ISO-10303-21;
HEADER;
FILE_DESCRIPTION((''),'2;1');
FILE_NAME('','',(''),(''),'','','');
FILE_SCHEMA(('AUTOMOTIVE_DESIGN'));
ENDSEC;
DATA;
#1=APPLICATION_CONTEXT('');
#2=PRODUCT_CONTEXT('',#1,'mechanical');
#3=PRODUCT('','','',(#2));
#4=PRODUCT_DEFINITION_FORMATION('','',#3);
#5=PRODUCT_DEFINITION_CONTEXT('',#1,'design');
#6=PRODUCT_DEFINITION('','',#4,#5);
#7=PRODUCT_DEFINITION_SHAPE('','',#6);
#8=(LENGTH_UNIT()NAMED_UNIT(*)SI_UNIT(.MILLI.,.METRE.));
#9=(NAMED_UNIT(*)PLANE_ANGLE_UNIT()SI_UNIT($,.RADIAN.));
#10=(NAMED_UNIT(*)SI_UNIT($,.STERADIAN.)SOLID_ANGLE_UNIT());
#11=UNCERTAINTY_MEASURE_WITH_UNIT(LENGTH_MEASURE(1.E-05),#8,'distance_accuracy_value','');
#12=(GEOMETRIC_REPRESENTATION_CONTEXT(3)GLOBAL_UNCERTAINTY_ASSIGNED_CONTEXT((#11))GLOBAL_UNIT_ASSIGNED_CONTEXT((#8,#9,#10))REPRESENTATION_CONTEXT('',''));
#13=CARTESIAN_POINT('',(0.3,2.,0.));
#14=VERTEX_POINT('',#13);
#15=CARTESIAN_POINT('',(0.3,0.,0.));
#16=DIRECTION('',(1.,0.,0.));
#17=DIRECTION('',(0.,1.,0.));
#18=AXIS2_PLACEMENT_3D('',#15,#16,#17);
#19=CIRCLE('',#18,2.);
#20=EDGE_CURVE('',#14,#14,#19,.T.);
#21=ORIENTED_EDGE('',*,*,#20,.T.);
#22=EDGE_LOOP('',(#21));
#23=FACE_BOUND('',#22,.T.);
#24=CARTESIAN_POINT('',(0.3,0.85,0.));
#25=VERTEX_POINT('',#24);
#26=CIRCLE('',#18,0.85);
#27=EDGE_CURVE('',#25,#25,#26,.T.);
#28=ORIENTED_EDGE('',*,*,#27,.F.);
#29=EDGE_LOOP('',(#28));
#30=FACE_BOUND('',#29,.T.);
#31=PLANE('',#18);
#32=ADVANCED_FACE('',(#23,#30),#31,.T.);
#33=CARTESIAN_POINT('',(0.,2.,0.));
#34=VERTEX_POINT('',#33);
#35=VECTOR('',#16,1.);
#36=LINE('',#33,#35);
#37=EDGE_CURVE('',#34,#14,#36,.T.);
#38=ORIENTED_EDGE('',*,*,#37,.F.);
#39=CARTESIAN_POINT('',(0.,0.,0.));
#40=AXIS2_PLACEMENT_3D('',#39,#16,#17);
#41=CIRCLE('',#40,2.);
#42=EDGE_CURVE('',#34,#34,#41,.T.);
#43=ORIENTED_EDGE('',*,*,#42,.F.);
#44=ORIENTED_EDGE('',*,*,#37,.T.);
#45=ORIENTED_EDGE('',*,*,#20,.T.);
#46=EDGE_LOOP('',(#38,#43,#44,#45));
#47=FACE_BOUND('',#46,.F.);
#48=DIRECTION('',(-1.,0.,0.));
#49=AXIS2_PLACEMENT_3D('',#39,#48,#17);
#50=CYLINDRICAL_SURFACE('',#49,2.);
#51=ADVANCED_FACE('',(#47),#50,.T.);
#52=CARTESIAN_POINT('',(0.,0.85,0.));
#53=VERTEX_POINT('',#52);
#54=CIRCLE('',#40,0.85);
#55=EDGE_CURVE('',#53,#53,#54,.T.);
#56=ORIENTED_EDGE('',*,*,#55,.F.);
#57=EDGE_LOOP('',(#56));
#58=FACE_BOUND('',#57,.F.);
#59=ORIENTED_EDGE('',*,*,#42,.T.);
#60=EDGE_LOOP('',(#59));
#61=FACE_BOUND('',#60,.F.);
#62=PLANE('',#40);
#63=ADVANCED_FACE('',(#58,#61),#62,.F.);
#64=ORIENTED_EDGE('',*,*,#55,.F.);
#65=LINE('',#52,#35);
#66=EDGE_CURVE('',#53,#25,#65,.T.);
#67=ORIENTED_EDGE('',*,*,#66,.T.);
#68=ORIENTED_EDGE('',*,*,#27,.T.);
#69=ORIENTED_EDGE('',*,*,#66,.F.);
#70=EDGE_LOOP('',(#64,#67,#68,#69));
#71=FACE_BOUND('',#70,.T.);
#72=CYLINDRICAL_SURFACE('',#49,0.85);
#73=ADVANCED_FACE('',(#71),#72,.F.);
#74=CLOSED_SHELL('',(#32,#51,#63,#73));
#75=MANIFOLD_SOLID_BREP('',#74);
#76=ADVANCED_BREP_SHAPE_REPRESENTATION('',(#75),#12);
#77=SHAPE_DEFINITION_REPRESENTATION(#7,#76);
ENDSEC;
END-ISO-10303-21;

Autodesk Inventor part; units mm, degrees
ref_plane "YZ Plane" through (0, 0, 0) normal (1, 0, 0) x (0, 1, 0)
ref_plane "XZ Plane" through (0, 0, 0) normal (0, 1, 0) x (-1, 0, 0)
sketch "Sketch" plane through (0, 0, 0) normal (1, 0, 0) x (0, 1, 0)
  circle A0 centre (0, 0) radius 2
  circle A1 centre (0, 0) radius 0.85
  dimension "d0" = 1.7
  dimension "d1" = 4
extrude "Body" add sketch "Sketch" along normal blind 0.3
ref_plane "Work Plane1" through (0, 0, 0) normal (0, 0, 1) x (1, 0, 0)
equation "\"d0\" = SD1"
equation "\"d1\" = SD2"
equation "\"d2\" = SD"
equation "\"SD1\" = 1.7"
equation "\"SD2\" = 4"
equation "\"SD\" = 0.3"
equation "\"NND\" = 1.6"
properties part number "ISO 7089 - 1.6" material "Stainless Steel"
